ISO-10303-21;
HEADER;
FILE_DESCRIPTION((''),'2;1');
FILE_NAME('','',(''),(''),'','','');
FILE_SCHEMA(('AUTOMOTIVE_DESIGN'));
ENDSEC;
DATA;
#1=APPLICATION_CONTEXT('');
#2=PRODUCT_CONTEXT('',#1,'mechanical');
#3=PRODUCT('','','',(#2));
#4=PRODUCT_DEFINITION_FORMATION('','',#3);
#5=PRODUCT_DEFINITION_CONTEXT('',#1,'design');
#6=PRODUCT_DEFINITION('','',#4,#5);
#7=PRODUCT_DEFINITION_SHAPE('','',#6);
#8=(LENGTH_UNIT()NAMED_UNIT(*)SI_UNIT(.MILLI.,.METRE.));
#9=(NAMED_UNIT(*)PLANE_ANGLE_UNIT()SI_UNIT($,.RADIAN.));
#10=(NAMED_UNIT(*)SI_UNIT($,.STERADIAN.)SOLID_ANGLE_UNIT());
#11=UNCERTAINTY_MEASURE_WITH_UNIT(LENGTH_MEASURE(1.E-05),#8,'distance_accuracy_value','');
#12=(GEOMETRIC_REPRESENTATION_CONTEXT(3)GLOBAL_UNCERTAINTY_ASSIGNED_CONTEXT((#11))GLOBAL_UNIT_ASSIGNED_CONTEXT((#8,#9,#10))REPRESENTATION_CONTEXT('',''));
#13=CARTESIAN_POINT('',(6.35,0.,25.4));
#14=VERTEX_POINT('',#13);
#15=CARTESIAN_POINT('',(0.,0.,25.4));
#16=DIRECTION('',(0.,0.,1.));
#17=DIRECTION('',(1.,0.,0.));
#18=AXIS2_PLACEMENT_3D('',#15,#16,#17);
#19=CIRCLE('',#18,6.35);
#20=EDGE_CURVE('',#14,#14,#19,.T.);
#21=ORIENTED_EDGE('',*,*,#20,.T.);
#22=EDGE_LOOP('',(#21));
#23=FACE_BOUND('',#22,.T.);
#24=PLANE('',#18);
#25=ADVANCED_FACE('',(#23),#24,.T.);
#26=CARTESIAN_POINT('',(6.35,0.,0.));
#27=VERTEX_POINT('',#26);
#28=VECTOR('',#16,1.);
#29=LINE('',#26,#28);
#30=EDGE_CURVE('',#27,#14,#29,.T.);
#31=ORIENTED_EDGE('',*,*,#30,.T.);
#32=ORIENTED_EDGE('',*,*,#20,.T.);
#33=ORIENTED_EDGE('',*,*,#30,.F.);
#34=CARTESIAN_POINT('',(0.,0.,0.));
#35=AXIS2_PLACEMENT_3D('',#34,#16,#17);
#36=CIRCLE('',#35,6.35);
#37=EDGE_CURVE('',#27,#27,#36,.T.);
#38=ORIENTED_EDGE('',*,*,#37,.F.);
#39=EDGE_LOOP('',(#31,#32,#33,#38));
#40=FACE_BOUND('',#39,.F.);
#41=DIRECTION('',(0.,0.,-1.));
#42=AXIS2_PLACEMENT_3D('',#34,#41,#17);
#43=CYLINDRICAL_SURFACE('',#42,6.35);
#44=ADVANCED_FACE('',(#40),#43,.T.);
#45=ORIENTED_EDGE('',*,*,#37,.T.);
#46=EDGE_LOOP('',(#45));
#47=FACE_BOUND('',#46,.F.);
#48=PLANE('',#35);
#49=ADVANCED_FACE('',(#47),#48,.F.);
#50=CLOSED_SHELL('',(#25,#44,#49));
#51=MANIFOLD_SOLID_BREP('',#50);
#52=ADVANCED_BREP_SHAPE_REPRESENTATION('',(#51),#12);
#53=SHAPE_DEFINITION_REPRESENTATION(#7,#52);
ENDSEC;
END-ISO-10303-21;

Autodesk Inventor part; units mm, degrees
ref_plane "YZ Plane" through (0, 0, 0) normal (1, 0, 0) x (0, 1, 0)
ref_plane "XZ Plane" through (0, 0, 0) normal (0, 1, 0) x (-1, 0, 0)
ref_plane "XY Plane" through (0, 0, 0) normal (0, 0, 1) x (1, 0, 0)
sketch "Sketch1" plane through (0, 0, 0) normal (0, 0, 1) x (1, 0, 0)
  circle A0 centre (0, 0) radius 6.35
  dimension "d0" = 12.7
extrude "Extrusion1" add sketch "Sketch1" along normal blind 25.4
properties part number "cylinder"
